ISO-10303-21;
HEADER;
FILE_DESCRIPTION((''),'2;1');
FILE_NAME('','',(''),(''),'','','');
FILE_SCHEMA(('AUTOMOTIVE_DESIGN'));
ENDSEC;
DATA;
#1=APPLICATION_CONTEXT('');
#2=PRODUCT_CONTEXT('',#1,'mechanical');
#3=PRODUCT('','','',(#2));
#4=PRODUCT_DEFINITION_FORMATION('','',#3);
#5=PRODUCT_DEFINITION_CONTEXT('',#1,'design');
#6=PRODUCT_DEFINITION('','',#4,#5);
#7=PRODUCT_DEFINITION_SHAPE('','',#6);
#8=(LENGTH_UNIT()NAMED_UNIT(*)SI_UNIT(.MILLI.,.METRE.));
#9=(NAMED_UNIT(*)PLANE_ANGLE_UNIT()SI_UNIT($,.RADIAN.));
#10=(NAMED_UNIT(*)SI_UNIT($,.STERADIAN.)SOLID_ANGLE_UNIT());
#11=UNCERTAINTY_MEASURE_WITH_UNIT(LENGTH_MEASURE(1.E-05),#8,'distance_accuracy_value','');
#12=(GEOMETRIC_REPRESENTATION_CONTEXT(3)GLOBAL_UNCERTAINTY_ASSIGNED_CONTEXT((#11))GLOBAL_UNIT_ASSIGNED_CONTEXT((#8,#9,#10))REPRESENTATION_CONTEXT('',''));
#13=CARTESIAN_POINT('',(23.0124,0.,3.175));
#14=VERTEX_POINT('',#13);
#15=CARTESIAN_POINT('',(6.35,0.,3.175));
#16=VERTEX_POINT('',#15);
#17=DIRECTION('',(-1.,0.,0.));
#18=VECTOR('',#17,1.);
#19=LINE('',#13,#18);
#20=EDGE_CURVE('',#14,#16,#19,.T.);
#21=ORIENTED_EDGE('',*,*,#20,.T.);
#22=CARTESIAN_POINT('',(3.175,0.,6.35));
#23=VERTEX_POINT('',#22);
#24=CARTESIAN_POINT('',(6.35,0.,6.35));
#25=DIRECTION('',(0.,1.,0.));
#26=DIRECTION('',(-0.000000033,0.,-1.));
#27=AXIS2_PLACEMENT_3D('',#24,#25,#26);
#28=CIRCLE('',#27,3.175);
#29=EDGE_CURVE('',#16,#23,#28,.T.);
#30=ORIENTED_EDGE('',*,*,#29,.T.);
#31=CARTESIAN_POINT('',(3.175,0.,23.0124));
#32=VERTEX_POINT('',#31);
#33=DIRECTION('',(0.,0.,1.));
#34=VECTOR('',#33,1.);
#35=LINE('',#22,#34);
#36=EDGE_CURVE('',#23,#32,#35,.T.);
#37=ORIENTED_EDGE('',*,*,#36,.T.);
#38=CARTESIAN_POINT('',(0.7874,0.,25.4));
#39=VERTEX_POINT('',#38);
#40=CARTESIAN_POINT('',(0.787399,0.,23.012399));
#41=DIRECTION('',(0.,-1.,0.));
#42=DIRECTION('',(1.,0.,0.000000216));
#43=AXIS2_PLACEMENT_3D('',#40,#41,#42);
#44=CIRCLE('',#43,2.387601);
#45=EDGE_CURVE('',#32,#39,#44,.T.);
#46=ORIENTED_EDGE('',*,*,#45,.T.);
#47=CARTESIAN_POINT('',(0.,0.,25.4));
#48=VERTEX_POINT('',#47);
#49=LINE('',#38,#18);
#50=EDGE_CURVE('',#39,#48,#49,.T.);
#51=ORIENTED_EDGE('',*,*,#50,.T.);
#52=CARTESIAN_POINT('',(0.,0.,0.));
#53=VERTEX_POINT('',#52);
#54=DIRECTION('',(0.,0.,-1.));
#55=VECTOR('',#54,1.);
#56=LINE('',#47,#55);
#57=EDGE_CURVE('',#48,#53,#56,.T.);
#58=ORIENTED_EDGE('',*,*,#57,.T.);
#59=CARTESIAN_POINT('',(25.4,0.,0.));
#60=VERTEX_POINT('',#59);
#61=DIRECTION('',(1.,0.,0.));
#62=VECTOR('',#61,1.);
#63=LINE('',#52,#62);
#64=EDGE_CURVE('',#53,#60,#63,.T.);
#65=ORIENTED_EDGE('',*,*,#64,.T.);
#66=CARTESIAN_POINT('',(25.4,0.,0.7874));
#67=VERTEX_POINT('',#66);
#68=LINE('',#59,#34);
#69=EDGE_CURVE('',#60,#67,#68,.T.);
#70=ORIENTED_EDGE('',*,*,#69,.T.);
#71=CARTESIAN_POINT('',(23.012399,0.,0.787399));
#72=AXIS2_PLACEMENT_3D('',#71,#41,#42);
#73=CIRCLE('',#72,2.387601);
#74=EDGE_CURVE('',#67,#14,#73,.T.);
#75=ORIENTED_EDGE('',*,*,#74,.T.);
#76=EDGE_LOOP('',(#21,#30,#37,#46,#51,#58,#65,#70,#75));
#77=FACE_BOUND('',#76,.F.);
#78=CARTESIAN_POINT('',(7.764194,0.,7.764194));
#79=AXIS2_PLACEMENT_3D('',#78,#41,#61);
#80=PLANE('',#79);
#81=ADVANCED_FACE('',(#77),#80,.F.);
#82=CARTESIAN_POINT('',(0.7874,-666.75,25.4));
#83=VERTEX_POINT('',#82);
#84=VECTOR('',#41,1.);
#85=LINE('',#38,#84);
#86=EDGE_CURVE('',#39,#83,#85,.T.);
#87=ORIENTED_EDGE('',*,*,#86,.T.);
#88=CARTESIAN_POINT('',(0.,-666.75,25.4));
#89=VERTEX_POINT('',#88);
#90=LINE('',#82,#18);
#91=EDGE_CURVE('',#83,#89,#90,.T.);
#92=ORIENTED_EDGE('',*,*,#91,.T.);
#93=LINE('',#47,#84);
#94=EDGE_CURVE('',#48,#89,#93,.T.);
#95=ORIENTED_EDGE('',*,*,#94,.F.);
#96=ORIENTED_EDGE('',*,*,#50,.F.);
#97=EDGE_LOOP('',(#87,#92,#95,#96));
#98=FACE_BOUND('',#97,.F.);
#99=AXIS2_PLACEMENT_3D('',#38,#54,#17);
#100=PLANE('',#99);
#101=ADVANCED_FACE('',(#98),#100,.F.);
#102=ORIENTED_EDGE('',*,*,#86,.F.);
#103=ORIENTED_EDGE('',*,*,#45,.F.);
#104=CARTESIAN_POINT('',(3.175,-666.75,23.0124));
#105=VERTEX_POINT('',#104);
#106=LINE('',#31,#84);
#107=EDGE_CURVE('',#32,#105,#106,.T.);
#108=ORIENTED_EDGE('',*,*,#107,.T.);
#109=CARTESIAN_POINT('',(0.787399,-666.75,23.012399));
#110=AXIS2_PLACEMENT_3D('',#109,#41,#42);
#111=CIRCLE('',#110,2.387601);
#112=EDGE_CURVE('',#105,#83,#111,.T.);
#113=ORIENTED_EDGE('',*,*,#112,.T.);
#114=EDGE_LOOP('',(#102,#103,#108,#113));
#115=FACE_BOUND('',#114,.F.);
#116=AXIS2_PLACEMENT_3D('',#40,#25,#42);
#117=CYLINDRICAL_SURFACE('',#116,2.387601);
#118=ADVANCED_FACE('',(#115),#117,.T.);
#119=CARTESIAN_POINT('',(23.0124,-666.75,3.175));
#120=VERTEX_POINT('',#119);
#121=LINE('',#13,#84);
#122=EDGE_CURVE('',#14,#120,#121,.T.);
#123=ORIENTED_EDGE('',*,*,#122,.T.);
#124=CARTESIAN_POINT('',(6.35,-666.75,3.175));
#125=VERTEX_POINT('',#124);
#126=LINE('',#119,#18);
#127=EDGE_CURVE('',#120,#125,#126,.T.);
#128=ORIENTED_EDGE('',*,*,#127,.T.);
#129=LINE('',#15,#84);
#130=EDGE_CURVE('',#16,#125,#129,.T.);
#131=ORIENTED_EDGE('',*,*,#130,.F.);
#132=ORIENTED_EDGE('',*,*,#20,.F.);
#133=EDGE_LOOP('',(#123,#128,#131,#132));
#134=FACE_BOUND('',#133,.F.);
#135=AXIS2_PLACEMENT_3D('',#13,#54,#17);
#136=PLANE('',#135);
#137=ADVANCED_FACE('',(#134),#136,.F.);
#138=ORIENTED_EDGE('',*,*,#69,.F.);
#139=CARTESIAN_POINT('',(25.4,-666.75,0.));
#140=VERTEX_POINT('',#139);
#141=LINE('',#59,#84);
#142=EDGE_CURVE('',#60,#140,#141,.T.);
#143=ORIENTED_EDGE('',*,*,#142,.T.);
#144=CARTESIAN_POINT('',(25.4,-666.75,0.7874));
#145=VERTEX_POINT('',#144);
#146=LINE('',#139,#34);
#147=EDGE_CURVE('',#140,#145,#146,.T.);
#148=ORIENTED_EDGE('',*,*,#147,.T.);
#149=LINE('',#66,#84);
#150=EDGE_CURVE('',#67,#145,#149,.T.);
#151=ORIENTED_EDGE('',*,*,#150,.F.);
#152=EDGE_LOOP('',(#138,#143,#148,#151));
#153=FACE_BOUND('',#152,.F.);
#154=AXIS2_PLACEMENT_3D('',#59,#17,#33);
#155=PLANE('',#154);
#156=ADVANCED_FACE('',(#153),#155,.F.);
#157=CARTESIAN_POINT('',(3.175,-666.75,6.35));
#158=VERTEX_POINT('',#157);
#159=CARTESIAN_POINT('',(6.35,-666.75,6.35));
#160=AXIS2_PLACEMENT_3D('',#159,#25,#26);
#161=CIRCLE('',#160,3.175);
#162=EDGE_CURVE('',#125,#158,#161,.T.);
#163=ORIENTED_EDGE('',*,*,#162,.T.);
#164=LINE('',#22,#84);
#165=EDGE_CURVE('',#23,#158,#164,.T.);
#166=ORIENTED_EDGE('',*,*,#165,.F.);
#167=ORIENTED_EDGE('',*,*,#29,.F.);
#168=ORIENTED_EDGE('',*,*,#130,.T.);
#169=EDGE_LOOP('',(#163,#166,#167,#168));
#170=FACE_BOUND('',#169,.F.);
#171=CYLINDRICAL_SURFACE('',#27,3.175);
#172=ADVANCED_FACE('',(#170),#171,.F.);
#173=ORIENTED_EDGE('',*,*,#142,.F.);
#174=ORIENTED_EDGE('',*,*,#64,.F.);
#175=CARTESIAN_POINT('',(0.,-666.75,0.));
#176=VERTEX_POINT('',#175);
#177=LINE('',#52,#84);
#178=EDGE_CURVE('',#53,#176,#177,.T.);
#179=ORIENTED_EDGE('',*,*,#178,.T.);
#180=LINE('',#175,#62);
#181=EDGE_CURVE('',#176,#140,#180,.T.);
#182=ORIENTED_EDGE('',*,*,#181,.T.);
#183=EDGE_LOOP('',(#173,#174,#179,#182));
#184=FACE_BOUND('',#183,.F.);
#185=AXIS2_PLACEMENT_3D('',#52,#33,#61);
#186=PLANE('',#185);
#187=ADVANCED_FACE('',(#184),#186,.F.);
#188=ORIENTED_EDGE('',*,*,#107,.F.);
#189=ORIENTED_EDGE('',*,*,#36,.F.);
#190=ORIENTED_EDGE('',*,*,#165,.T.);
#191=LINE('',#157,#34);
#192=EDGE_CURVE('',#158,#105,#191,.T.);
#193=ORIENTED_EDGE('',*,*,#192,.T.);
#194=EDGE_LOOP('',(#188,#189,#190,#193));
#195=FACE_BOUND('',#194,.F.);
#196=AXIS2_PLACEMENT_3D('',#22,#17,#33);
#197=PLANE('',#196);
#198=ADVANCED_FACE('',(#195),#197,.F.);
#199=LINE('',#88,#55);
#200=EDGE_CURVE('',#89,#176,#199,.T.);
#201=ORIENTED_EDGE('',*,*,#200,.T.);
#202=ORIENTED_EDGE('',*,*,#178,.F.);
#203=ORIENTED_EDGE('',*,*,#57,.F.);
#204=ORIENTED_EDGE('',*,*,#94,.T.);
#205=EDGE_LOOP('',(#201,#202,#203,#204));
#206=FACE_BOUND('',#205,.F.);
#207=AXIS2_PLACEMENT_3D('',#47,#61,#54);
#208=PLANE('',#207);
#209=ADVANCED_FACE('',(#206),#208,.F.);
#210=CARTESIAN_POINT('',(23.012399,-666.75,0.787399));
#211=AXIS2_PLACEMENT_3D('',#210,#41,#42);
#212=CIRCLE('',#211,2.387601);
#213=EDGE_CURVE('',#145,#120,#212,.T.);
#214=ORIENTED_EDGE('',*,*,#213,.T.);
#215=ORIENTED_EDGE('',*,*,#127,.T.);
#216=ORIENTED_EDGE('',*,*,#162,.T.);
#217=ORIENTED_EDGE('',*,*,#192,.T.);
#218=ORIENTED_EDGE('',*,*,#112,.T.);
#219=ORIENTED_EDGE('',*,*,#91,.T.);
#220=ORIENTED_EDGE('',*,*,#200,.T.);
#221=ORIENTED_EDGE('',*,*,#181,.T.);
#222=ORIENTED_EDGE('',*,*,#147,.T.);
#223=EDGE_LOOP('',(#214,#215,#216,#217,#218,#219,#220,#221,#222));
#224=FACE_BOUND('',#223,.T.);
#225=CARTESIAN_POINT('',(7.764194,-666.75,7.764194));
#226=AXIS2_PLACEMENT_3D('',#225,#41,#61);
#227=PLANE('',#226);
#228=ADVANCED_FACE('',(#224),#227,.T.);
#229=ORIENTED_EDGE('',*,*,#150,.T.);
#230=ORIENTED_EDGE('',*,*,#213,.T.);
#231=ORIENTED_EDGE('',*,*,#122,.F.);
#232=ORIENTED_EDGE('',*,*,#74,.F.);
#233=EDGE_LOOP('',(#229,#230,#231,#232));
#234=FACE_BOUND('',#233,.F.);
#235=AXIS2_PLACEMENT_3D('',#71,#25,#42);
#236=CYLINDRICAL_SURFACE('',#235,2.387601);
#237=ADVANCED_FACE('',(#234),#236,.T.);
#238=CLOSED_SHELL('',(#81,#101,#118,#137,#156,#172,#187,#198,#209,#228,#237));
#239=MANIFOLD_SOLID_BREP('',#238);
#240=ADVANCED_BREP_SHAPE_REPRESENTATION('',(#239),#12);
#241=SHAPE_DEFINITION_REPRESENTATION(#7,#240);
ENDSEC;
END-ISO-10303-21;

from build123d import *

# Parameters (mm, degrees)
F1_DEPTH = 666.75


with BuildPart() as f1:
    # F0 (on Front) → F1 (new body)
    with BuildSketch(Plane.XZ):
        with BuildLine():
            Line((0, 25.4), (0, 0))
            Line((0, 0), (25.4, 0))
            Line((25.4, 0), (25.4, 0.7874))
            ThreePointArc((25.4, 0.7874), (24.700688, 2.475688), (23.0124, 3.175))
            Line((23.0124, 3.175), (6.35, 3.175))
            ThreePointArc((6.35, 3.175), (4.104936, 4.104936), (3.175, 6.35))
            Line((3.175, 6.35), (3.175, 23.0124))
            ThreePointArc((3.175, 23.0124), (2.475688, 24.700688), (0.7874, 25.4))
            Line((0.7874, 25.4), (0, 25.4))
        make_face()
    extrude(amount=F1_DEPTH)


solid = f1.part
